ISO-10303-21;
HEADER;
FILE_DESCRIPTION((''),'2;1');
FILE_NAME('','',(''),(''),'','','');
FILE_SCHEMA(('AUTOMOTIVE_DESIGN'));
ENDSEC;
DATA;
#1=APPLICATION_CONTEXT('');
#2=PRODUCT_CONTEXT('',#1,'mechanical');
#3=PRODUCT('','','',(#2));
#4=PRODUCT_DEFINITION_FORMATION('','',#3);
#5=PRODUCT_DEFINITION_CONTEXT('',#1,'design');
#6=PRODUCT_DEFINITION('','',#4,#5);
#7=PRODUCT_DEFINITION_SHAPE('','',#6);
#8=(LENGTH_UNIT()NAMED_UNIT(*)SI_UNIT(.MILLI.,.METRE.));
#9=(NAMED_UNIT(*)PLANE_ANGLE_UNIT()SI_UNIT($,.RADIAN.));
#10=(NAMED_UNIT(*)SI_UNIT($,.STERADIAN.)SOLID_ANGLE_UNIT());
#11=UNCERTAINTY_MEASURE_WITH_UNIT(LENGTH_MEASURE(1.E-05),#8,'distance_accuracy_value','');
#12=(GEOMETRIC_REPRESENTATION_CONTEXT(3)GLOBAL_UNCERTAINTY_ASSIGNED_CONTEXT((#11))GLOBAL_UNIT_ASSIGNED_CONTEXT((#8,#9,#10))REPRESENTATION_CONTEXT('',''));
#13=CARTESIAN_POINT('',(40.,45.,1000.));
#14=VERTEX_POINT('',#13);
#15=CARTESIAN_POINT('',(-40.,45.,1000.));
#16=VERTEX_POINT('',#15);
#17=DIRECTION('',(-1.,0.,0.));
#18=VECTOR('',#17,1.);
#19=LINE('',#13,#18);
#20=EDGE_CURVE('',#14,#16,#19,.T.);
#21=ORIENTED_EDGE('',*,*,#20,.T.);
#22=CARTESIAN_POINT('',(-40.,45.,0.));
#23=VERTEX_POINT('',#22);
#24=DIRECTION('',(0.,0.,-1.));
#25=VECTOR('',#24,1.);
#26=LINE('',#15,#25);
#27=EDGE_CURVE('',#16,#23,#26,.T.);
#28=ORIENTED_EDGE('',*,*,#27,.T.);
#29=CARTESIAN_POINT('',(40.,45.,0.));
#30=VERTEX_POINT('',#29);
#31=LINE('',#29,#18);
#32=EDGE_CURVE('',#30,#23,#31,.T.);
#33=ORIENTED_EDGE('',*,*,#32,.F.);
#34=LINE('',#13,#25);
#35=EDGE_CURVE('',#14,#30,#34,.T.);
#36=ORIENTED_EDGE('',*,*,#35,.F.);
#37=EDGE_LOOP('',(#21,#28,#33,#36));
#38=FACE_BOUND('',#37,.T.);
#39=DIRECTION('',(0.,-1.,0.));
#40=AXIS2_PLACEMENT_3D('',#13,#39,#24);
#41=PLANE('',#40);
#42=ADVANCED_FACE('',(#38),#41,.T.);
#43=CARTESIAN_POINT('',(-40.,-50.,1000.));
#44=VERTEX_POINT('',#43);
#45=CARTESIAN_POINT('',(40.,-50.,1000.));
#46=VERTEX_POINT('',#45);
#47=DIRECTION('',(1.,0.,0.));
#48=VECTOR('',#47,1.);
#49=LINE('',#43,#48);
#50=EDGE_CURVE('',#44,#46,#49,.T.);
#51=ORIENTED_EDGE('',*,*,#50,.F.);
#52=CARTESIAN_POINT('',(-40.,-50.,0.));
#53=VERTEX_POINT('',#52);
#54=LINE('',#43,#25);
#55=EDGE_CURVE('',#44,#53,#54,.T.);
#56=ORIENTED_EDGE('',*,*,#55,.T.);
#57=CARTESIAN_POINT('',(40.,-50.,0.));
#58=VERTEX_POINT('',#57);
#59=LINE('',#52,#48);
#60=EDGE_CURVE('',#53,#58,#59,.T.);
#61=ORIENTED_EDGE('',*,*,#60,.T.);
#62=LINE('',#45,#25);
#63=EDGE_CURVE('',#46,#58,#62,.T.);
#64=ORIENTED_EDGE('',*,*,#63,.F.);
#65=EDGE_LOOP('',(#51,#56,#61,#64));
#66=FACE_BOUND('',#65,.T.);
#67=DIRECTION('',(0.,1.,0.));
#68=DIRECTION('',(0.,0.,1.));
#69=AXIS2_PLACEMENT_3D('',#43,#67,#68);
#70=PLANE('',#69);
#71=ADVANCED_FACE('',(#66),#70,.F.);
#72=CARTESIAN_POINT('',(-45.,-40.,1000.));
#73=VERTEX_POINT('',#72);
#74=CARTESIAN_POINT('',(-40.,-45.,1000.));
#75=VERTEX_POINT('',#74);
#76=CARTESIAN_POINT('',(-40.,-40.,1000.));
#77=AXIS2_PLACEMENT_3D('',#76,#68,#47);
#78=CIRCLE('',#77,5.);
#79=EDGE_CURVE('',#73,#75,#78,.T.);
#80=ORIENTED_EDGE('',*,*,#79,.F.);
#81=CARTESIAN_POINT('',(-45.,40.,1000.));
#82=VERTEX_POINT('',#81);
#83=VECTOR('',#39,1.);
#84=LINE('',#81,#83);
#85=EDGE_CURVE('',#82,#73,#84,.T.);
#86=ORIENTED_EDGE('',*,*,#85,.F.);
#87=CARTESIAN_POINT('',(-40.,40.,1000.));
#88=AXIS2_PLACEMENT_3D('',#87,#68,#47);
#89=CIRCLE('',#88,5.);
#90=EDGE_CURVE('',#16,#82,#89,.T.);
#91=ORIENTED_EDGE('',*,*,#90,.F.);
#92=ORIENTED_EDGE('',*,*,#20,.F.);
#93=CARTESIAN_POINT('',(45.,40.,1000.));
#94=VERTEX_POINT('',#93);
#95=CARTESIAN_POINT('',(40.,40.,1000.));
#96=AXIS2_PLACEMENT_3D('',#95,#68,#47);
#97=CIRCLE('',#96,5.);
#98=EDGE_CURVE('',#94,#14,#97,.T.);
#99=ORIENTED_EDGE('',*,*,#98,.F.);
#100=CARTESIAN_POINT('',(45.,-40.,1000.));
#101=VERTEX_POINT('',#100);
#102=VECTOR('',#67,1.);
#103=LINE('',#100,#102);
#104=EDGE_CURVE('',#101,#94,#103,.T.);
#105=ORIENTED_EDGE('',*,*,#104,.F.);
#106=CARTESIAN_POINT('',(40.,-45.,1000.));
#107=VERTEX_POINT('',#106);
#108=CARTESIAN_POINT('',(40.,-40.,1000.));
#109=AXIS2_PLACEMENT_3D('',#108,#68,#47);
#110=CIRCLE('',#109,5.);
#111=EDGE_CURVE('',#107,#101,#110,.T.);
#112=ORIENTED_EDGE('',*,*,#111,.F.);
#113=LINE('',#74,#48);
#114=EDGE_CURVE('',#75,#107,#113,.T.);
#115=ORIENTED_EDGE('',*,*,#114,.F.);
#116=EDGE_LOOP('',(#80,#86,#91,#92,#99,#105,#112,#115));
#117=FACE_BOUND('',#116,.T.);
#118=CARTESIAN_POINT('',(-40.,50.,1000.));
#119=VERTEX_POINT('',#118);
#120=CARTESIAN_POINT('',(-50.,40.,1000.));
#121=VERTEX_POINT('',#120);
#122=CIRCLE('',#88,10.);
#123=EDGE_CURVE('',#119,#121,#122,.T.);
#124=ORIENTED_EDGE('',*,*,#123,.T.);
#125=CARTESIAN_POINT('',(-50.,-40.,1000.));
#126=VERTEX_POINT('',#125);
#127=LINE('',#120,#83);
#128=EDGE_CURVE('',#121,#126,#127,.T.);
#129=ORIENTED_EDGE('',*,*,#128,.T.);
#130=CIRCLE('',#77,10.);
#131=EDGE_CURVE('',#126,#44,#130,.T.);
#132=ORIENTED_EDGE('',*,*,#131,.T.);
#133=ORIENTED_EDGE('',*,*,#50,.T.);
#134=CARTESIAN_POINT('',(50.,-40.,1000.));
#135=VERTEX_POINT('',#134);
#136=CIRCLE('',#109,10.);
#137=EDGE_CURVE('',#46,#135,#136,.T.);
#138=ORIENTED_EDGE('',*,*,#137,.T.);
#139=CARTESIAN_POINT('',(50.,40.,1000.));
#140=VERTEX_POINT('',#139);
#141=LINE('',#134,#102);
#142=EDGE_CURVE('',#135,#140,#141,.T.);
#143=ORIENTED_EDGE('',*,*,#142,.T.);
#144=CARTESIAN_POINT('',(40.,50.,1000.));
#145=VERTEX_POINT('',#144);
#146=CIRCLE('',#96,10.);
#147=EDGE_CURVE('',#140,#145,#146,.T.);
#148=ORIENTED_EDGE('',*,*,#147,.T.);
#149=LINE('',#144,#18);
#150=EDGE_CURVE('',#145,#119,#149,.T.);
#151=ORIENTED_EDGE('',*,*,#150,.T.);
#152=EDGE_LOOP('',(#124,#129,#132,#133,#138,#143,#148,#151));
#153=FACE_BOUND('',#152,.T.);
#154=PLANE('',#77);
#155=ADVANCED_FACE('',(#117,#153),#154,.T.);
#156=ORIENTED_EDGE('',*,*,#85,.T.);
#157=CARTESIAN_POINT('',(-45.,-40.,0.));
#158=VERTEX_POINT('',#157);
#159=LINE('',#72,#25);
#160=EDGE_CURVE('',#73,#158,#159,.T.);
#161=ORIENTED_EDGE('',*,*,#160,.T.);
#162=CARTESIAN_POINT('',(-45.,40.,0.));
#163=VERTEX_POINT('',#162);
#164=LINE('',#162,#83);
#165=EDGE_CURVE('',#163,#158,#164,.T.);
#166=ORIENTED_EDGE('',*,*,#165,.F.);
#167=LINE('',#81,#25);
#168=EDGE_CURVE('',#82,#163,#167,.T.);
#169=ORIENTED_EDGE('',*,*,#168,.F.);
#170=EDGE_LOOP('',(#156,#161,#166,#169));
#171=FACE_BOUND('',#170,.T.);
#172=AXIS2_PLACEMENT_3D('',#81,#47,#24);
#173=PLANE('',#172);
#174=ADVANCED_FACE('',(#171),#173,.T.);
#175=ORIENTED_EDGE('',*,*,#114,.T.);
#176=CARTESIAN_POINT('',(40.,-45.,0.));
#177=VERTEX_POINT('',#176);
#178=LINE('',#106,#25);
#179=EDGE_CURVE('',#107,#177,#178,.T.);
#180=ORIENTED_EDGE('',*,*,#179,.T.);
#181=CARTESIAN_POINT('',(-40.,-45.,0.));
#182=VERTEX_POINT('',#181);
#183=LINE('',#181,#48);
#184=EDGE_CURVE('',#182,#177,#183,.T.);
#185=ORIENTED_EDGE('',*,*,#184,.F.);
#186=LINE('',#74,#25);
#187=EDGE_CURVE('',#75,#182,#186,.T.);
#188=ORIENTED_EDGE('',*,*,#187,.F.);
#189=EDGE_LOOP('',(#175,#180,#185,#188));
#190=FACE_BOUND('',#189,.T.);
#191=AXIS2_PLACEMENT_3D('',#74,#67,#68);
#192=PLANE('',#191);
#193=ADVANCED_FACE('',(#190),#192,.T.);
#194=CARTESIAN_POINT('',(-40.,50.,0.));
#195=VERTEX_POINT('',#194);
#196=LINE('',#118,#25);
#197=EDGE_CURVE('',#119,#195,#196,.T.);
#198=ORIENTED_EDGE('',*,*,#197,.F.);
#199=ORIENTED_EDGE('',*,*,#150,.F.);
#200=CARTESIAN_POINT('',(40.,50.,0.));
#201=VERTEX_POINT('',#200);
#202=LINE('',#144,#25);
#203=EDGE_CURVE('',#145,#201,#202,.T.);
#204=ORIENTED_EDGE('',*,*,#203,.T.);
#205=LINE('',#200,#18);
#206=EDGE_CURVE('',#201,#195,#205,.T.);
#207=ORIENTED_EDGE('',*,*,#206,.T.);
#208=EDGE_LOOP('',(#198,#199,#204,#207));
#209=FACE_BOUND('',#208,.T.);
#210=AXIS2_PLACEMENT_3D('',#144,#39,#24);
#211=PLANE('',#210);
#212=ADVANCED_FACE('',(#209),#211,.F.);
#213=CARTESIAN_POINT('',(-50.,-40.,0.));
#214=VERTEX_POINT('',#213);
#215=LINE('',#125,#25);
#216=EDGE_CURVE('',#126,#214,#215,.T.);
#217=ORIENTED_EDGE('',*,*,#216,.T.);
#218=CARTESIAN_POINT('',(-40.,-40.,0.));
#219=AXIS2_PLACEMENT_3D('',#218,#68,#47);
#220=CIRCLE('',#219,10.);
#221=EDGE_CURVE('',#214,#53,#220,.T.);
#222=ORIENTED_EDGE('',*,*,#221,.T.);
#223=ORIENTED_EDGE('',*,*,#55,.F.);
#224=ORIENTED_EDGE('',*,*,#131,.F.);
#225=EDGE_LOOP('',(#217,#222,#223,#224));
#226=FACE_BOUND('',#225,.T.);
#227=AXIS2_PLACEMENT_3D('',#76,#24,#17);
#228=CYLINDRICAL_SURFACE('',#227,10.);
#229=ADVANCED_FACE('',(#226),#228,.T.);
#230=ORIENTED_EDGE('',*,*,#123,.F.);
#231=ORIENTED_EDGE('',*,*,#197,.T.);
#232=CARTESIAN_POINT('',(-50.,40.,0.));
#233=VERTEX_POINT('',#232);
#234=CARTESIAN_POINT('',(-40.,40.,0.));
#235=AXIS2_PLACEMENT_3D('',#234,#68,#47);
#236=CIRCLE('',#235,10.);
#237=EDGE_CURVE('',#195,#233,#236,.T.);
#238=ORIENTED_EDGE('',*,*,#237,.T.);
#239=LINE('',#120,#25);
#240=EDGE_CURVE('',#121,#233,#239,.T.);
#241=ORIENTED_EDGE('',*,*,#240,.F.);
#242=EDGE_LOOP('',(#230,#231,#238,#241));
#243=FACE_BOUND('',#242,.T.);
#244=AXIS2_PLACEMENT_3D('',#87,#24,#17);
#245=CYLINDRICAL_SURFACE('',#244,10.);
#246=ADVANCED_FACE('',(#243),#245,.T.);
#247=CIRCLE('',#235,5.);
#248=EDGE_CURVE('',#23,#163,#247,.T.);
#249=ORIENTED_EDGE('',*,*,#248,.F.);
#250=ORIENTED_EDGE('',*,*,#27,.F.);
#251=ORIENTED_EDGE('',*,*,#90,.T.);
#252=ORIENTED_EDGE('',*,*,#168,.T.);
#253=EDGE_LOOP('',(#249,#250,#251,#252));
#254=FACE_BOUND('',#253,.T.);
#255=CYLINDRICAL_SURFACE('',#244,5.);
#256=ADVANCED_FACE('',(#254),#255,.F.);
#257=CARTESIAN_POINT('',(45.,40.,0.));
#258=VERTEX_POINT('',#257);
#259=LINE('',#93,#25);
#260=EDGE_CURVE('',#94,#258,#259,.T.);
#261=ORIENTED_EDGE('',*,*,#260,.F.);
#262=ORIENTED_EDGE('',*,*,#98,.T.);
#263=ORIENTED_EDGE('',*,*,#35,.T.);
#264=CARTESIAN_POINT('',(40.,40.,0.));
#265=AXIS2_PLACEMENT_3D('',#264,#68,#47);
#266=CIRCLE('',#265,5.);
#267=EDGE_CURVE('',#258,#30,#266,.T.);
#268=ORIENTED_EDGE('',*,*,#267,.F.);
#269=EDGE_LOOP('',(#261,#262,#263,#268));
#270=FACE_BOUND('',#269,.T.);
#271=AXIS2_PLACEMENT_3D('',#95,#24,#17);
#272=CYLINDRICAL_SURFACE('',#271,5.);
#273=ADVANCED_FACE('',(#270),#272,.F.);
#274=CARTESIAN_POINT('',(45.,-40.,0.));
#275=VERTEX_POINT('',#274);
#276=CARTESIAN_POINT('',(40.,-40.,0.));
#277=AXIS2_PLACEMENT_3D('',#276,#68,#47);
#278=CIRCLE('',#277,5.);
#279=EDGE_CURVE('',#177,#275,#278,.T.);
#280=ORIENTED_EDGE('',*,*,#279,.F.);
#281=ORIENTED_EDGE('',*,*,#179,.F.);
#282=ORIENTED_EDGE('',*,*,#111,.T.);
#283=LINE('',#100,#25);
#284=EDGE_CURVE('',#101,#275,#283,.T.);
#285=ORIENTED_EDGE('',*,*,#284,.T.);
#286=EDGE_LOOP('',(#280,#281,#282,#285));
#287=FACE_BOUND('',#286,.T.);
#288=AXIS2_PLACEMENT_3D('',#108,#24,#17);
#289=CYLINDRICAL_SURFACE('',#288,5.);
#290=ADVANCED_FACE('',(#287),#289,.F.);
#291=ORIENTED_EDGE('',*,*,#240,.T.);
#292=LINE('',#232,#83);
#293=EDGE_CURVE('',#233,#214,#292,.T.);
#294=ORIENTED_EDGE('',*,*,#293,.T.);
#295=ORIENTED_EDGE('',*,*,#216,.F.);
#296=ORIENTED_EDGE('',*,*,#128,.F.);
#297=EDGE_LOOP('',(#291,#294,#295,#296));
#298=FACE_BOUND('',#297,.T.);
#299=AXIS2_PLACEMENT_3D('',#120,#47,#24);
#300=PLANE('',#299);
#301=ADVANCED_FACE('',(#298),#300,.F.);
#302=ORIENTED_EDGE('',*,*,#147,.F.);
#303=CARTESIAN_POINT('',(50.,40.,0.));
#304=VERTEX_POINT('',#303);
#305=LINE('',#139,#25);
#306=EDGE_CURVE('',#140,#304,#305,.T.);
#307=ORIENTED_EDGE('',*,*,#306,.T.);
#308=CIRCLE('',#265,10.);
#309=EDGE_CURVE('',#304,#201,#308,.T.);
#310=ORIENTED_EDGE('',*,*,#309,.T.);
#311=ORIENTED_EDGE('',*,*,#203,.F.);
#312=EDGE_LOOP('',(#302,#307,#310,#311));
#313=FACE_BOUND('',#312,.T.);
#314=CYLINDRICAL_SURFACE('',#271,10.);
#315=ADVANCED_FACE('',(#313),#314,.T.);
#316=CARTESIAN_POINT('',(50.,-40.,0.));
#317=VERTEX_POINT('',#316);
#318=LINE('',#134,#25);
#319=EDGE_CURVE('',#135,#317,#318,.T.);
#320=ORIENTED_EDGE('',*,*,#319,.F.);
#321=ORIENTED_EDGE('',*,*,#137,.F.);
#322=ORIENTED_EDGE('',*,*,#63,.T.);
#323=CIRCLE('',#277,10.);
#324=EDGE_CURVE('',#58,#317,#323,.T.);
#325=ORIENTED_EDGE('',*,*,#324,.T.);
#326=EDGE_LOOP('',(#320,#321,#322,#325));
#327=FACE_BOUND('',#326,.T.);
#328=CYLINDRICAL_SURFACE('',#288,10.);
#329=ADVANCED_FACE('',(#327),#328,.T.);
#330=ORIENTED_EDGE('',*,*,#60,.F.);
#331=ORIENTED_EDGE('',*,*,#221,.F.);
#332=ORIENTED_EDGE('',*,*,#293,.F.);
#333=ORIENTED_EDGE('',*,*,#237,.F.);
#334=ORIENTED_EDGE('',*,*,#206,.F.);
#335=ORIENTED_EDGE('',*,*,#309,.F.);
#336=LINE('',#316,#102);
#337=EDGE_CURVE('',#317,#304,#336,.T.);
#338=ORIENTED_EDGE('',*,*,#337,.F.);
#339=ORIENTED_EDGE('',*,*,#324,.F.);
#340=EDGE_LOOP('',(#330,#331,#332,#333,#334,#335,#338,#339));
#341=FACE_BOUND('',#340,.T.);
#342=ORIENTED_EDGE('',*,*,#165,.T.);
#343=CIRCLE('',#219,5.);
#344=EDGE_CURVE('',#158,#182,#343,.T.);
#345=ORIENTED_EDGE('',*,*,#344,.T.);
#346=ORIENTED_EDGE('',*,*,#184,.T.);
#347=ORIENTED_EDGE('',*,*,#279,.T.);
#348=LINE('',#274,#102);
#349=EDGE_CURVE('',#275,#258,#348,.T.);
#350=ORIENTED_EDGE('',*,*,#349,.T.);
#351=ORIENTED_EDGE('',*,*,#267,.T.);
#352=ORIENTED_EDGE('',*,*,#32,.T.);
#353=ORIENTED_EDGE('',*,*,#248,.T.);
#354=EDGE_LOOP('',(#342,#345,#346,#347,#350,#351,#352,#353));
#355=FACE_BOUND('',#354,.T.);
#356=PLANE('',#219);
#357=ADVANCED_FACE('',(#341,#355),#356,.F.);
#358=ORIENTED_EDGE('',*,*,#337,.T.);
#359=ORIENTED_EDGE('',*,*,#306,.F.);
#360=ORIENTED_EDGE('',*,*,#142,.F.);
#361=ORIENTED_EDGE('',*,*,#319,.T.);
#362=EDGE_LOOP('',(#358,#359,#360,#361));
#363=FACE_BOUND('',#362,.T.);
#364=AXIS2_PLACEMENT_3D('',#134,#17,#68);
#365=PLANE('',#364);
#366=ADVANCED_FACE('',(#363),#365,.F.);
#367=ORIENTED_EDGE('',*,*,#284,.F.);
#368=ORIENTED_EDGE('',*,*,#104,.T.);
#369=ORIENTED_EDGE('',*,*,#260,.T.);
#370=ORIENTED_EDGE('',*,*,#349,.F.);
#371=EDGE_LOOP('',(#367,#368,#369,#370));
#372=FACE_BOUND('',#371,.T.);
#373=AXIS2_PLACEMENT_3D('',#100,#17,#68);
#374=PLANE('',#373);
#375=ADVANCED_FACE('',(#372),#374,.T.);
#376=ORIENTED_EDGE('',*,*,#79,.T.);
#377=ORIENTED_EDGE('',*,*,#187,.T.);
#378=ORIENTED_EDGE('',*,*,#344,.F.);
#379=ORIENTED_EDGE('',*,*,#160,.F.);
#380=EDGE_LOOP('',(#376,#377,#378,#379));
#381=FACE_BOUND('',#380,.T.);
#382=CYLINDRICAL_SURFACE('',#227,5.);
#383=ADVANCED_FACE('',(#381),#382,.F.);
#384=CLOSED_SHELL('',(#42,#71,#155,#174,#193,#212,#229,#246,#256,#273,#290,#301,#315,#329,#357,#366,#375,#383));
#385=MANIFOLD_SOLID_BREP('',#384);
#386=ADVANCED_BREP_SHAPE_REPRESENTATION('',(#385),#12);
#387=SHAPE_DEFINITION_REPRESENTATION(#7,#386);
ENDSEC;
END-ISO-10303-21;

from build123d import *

# Parameters (mm, degrees)
SHS100X100X5_1_DEPTH = 1000


with BuildPart() as part:
    # Sketch11 → SHS100x100x5 (1) (new body)
    with BuildSketch(Plane.XY):
        with BuildLine():
            Line((-40, -50), (40, -50))
            ThreePointArc((40, -50), (47.071067812, -47.071067812), (50, -40))
            Line((50, -40), (50, 40))
            ThreePointArc((50, 40), (47.071067812, 47.071067812), (40, 50))
            Line((40, 50), (-40, 50))
            ThreePointArc((-40, 50), (-47.071067812, 47.071067812), (-50, 40))
            Line((-50, 40), (-50, -40))
            ThreePointArc((-50, -40), (-47.071067812, -47.071067812), (-40, -50))
        make_face()
        with BuildLine():
            Line((-40, -45), (40, -45))
            ThreePointArc((40, -45), (43.535533906, -43.535533906), (45, -40))
            Line((45, -40), (45, 40))
            ThreePointArc((45, 40), (43.535533906, 43.535533906), (40, 45))
            Line((40, 45), (-40, 45))
            ThreePointArc((-40, 45), (-43.535533906, 43.535533906), (-45, 40))
            Line((-45, 40), (-45, -40))
            ThreePointArc((-45, -40), (-43.535533906, -43.535533906), (-40, -45))
        make_face(mode=Mode.SUBTRACT)
    extrude(amount=SHS100X100X5_1_DEPTH)


solid = part.part
